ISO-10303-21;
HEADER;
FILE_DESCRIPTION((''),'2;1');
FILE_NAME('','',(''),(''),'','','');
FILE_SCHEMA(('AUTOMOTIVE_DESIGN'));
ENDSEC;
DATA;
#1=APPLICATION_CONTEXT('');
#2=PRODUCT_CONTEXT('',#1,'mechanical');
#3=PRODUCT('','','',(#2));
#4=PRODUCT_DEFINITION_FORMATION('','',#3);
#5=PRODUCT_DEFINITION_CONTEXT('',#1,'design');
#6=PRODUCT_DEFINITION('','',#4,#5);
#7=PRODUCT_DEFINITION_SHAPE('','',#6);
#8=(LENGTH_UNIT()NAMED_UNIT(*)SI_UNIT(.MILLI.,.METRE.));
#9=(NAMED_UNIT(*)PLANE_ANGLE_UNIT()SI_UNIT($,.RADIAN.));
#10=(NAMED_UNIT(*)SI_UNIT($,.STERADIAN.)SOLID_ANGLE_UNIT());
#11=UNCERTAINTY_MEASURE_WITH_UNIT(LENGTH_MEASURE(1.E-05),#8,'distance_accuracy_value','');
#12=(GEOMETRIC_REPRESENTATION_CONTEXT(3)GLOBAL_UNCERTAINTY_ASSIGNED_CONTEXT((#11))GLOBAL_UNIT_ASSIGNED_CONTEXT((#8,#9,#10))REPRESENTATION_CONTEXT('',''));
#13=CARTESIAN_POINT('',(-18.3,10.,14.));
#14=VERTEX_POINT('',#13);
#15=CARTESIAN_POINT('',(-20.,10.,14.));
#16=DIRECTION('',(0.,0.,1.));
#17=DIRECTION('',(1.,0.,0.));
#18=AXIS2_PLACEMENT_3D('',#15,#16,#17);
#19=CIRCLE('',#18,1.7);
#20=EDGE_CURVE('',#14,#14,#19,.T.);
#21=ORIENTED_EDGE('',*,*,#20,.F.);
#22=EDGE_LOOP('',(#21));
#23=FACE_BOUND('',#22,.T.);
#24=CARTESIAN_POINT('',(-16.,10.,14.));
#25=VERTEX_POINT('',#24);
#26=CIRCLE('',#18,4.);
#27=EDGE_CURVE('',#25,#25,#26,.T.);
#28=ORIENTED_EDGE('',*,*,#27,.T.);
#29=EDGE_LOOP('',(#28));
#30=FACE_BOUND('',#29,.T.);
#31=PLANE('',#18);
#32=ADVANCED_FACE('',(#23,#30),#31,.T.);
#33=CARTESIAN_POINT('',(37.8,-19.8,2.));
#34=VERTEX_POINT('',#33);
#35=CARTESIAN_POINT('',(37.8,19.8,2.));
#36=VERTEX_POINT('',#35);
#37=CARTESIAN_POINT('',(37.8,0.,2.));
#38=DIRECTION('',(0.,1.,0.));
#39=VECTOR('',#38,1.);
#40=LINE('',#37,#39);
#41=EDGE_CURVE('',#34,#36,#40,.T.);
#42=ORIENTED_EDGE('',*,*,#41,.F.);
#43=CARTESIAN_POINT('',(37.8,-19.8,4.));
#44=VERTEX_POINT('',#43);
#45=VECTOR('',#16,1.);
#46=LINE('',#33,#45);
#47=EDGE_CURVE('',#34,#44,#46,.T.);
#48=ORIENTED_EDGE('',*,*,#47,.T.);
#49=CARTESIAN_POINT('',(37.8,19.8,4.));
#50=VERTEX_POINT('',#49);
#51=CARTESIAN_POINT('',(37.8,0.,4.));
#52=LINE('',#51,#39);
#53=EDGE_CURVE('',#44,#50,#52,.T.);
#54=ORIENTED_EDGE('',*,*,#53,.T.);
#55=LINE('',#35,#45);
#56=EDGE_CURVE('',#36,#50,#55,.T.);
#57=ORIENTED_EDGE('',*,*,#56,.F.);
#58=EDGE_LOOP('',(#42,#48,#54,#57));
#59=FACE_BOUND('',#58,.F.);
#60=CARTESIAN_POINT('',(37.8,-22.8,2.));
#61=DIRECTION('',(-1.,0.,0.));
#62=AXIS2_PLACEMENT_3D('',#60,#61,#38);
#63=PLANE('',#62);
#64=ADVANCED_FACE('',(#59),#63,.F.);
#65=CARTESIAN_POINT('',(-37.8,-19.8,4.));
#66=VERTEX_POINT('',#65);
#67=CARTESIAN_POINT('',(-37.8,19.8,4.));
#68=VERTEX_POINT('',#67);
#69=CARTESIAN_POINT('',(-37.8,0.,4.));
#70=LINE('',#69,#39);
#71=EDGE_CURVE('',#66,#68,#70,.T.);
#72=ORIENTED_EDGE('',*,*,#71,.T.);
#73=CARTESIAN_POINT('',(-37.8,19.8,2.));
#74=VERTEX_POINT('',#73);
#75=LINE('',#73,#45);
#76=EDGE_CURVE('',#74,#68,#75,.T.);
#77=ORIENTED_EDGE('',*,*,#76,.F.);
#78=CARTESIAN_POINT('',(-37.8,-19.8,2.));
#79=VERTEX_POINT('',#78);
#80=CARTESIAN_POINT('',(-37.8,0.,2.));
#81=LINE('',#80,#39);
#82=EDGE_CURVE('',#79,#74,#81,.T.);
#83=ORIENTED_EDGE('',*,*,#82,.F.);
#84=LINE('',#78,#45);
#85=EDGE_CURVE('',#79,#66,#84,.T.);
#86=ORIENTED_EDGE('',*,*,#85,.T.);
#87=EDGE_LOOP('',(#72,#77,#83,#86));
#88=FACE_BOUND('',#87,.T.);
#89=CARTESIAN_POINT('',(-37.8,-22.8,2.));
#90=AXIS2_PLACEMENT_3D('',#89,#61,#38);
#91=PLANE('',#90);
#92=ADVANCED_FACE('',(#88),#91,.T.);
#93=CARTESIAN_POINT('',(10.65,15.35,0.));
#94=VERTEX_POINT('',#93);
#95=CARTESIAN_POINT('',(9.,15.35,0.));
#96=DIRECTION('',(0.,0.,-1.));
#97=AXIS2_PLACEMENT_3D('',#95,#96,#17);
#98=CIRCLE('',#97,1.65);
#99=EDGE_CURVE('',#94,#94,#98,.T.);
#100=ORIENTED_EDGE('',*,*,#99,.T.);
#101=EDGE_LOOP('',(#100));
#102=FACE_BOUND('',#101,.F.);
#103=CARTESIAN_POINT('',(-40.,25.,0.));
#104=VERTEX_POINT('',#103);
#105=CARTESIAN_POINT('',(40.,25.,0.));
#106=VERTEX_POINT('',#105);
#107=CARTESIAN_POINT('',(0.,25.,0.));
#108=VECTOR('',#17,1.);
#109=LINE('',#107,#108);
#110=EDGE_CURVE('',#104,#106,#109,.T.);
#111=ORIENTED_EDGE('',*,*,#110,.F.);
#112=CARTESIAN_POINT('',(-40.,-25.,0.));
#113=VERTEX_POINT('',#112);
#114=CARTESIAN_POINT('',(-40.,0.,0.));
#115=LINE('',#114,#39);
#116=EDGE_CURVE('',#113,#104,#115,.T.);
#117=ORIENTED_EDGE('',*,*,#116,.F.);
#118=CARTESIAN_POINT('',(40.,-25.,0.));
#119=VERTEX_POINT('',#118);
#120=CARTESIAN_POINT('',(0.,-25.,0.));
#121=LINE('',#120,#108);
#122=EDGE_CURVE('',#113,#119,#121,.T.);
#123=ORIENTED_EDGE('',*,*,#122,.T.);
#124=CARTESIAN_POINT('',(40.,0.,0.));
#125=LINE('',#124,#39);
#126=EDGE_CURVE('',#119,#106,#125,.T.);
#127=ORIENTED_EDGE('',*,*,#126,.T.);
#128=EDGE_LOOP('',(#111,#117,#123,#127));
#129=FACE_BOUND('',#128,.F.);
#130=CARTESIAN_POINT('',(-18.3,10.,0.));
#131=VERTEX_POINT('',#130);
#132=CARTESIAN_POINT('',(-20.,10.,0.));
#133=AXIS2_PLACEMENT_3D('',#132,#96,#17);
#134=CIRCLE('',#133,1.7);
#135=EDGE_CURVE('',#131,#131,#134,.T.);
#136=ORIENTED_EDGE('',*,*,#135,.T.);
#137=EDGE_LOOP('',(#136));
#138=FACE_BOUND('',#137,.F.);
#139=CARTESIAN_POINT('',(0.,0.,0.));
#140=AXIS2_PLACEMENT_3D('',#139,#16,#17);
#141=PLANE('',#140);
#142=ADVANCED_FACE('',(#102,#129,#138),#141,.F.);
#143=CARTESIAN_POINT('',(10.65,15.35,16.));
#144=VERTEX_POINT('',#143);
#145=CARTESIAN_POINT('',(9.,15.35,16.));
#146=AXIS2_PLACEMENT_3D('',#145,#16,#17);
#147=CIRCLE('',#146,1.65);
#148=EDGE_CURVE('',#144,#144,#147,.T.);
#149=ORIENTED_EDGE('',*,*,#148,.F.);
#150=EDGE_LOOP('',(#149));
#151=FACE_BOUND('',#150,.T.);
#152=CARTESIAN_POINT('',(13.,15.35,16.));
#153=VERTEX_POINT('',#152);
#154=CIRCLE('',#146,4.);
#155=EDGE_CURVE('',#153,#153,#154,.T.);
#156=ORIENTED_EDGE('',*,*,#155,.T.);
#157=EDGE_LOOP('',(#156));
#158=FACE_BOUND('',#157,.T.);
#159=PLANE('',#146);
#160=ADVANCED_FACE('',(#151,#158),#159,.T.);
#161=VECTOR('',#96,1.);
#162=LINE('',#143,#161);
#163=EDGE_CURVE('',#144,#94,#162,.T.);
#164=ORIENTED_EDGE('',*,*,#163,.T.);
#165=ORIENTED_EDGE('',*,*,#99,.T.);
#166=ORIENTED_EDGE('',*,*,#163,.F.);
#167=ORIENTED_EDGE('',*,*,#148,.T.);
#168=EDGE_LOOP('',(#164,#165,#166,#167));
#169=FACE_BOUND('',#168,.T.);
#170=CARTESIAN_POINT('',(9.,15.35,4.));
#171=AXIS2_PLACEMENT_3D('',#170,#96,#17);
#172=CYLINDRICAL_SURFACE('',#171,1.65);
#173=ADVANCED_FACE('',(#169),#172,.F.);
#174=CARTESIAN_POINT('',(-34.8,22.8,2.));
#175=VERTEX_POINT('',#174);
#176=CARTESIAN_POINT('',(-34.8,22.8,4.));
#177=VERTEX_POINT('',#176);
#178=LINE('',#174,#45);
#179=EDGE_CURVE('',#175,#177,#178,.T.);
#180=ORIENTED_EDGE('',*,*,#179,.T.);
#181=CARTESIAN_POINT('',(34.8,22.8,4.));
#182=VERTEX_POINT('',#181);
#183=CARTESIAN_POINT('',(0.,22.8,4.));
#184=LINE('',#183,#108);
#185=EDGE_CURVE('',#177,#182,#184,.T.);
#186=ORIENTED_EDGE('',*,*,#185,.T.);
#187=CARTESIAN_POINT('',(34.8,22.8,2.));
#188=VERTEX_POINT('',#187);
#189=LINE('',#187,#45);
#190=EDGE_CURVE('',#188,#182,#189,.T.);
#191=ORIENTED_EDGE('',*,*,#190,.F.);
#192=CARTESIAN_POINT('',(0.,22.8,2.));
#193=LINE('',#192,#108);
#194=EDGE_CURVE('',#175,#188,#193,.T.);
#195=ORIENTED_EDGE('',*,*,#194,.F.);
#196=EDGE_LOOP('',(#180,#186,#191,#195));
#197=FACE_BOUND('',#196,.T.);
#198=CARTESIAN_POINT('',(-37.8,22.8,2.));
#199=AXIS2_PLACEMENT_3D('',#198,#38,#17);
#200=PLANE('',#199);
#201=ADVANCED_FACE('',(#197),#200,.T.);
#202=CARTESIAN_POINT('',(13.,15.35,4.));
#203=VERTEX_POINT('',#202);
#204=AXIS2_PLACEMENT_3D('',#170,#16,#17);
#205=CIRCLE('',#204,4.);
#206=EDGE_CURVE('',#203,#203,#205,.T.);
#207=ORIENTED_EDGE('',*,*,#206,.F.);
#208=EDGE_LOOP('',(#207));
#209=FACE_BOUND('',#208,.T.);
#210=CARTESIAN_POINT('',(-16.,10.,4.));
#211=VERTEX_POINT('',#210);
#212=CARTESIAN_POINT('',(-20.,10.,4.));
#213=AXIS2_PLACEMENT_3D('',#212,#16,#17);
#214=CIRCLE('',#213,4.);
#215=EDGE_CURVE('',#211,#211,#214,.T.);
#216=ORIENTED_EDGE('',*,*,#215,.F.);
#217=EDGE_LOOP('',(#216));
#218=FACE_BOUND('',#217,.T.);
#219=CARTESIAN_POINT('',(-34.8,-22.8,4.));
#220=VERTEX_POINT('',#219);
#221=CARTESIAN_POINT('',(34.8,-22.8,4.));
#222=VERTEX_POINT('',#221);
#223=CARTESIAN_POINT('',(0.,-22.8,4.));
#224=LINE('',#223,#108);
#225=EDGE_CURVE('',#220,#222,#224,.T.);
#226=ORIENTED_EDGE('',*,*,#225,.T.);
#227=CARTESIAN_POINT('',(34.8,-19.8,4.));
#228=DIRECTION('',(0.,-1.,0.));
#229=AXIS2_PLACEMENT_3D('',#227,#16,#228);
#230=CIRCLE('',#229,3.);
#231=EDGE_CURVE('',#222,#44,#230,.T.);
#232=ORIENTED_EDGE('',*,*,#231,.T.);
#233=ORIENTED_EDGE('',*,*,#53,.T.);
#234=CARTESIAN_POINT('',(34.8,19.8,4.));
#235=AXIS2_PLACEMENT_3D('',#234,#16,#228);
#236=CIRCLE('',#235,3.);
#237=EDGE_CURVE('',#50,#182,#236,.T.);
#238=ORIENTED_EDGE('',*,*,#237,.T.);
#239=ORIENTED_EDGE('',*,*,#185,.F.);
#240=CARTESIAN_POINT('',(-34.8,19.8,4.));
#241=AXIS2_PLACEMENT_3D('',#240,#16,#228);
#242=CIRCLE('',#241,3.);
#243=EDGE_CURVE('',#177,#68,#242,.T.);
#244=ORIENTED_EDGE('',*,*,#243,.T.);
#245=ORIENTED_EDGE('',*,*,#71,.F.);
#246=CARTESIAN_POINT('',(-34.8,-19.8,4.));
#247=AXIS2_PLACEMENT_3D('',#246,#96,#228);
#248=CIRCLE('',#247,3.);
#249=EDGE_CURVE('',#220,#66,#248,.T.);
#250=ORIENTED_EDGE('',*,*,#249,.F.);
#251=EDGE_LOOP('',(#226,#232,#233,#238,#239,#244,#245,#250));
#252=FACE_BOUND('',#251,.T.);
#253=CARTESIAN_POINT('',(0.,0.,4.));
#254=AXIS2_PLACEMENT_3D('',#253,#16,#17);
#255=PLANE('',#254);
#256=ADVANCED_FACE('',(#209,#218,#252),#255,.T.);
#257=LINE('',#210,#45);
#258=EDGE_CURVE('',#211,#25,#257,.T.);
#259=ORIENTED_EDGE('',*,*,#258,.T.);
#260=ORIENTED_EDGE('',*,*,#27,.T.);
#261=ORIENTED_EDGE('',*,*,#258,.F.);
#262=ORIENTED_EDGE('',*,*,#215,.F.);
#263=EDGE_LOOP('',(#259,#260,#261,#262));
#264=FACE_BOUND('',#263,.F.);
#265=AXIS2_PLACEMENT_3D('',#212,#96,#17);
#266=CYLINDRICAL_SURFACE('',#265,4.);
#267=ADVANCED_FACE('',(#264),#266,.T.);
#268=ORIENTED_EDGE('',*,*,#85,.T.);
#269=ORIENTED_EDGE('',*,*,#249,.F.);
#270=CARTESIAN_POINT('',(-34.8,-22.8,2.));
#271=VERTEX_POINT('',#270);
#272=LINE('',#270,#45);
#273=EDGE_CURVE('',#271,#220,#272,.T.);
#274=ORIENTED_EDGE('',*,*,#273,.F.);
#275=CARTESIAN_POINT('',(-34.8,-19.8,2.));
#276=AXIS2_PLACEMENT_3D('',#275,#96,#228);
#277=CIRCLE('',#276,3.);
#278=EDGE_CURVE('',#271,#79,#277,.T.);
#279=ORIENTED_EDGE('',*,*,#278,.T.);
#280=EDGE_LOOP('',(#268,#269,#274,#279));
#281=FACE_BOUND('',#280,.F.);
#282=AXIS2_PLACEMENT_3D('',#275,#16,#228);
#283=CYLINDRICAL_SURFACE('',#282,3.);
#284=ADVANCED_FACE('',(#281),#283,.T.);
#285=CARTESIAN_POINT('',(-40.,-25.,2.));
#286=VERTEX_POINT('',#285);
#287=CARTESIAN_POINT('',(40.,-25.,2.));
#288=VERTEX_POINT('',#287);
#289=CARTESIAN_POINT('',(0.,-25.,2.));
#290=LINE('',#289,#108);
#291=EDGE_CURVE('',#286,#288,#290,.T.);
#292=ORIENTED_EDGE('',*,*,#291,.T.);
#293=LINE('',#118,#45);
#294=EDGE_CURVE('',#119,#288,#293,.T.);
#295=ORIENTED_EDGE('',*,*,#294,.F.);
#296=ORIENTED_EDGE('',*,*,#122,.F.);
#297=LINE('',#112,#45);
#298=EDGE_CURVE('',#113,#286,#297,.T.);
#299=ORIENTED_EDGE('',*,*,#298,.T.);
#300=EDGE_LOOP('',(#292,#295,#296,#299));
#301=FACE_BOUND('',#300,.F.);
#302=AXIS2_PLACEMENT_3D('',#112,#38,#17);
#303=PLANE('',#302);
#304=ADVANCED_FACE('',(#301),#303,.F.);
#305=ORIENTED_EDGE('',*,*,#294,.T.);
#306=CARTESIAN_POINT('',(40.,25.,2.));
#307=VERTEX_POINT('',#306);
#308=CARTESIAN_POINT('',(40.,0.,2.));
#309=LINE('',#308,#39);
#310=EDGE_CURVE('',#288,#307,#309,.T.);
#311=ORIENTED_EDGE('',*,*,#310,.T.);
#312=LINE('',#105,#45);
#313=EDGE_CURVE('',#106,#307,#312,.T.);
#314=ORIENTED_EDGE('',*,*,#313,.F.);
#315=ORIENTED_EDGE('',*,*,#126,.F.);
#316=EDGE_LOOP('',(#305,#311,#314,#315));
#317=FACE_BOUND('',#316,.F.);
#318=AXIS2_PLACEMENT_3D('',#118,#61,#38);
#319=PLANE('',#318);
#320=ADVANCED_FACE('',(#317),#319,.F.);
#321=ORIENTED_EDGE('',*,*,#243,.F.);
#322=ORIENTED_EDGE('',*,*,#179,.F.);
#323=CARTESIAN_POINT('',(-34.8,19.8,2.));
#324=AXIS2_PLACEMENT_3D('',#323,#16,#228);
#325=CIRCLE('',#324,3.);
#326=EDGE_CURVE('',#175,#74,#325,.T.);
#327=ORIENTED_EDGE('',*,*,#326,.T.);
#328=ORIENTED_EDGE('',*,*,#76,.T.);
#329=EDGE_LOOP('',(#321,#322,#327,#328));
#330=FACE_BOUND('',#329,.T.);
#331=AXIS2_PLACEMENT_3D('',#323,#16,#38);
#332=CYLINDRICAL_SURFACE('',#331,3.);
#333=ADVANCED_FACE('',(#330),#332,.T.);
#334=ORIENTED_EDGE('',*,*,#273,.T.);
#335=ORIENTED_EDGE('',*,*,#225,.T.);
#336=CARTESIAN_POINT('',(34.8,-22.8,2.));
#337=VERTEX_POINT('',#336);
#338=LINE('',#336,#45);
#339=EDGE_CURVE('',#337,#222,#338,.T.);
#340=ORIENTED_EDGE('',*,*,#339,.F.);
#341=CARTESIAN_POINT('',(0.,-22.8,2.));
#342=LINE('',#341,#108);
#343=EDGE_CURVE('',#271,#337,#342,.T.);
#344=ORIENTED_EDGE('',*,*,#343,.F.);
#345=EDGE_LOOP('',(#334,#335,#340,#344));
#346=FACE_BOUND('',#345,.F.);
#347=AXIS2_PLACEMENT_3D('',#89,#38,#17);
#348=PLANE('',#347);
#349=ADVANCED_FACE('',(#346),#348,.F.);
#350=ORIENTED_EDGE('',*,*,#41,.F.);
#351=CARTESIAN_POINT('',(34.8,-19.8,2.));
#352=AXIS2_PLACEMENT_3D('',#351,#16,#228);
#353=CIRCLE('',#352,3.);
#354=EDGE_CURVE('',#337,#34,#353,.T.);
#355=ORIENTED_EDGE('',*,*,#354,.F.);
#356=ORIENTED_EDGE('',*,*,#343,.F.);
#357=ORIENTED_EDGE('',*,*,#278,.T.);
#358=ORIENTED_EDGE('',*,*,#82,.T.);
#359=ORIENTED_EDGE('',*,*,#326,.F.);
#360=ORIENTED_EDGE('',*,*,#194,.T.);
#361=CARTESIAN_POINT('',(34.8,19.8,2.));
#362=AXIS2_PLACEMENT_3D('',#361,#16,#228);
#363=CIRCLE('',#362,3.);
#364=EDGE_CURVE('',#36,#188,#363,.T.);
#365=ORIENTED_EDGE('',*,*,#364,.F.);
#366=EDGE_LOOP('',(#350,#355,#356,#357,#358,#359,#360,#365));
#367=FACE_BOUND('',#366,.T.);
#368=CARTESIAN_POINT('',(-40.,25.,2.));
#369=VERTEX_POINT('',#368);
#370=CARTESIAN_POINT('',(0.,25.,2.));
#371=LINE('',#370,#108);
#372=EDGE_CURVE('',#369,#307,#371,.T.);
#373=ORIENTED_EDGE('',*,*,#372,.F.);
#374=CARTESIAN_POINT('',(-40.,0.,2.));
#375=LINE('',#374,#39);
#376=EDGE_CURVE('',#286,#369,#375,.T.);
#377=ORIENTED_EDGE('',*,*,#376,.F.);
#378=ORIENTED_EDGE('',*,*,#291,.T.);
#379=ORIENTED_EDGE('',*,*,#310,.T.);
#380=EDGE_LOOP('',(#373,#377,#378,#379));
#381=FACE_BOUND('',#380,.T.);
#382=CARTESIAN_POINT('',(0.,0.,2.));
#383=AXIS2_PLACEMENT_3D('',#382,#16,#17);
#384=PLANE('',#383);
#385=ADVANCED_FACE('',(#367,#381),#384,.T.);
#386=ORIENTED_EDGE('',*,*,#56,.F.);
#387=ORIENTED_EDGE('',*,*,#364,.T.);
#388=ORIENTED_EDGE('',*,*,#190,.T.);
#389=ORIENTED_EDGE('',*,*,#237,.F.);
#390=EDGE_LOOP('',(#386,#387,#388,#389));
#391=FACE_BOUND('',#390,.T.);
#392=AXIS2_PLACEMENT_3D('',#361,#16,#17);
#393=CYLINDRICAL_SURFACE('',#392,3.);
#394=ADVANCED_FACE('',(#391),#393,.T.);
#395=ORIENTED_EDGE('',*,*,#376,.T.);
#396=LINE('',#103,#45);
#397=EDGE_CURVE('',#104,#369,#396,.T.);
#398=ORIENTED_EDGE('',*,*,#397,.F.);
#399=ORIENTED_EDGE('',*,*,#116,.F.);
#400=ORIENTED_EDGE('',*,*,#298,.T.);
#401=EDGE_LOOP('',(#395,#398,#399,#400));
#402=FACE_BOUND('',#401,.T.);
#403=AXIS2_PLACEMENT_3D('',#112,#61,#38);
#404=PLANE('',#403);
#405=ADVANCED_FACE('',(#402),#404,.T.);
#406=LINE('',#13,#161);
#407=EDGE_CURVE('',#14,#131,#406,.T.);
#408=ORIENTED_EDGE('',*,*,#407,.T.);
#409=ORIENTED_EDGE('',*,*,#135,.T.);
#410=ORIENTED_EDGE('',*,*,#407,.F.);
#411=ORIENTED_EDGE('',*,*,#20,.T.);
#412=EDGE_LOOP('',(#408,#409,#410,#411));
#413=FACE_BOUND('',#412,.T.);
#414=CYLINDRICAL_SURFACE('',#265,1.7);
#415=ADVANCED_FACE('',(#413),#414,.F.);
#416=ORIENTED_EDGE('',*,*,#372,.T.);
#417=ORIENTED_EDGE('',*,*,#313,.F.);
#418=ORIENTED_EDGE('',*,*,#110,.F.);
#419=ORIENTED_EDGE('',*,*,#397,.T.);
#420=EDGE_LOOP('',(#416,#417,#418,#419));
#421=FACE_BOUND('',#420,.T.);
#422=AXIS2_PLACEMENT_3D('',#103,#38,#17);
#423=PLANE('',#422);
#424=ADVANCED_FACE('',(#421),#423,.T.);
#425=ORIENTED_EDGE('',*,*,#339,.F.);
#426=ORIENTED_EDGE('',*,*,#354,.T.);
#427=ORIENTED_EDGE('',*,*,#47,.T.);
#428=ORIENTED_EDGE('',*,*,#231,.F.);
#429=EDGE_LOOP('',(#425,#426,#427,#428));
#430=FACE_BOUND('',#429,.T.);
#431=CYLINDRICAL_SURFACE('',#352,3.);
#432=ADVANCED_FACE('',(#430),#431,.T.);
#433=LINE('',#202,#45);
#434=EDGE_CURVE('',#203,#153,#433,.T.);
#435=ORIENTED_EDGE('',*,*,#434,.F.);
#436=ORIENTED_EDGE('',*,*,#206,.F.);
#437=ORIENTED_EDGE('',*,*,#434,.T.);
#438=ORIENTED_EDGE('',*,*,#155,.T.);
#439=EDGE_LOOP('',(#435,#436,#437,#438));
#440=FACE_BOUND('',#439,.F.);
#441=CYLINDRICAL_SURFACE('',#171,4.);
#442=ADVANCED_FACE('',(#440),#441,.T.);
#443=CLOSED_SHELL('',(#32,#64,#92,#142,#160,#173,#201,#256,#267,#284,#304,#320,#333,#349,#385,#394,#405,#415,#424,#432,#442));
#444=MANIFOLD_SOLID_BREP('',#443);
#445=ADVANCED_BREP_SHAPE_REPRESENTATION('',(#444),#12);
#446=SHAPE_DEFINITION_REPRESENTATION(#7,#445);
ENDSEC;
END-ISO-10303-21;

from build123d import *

# Parameters (mm, degrees)
F0_W      = 80
F0_H      = 50
F1_DEPTH  = 2
F2_W      = 75.6
F2_H      = 45.6
F3_DEPTH  = 2
F4_R      = 3
F5_R      = 1.7
F5_R_2    = 1.65
F6_DEPTH  = 25
F7_R      = 4
F7_R_2    = 1.65
F8_DEPTH  = 12
F9_R      = 4
F9_R_2    = 1.7
F10_DEPTH = 10


with BuildPart() as f1:
    # F0 (on Top) → F1 (new body)
    with BuildSketch(Plane.XY):
        Rectangle(F0_W, F0_H)
    extrude(amount=F1_DEPTH)

    # F2 (on face) → F3 (join)
    with BuildSketch(Plane.XY.offset(2)):
        Rectangle(F2_W, F2_H)
    extrude(amount=F3_DEPTH)

    # F4
    f4_edges = [f1.edges().sort_by_distance(p)[0] for p in [
        (-37.8, 22.8, 3),
        (-37.8, -22.8, 3),
        (37.8, 22.8, 3),
        (37.8, -22.8, 3),
    ]]
    fillet(f4_edges, radius=F4_R)

    # F5 (on face) → F6 (cut)
    with BuildSketch(Plane(origin=(0, 0, 0), x_dir=(1, 0, 0), z_dir=(0, 0, -1))):
        with Locations((-20, -10)):
            Circle(F5_R)
        with Locations((9, -15.35)):
            Circle(F5_R_2)
    extrude(amount=-F6_DEPTH, mode=Mode.SUBTRACT)

    # F7 (on face) → F8 (join)
    with BuildSketch(Plane.XY.offset(4)):
        with Locations((9, 15.35)):
            Circle(F7_R)
        with Locations((9, 15.35)):
            Circle(F7_R_2, mode=Mode.SUBTRACT)
    extrude(amount=F8_DEPTH)

    # F9 (on face) → F10 (join)
    with BuildSketch(Plane.XY.offset(4)):
        with Locations((-20, 10)):
            Circle(F9_R)
        with Locations((-20, 10)):
            Circle(F9_R_2, mode=Mode.SUBTRACT)
    extrude(amount=F10_DEPTH)


solid = f1.part
